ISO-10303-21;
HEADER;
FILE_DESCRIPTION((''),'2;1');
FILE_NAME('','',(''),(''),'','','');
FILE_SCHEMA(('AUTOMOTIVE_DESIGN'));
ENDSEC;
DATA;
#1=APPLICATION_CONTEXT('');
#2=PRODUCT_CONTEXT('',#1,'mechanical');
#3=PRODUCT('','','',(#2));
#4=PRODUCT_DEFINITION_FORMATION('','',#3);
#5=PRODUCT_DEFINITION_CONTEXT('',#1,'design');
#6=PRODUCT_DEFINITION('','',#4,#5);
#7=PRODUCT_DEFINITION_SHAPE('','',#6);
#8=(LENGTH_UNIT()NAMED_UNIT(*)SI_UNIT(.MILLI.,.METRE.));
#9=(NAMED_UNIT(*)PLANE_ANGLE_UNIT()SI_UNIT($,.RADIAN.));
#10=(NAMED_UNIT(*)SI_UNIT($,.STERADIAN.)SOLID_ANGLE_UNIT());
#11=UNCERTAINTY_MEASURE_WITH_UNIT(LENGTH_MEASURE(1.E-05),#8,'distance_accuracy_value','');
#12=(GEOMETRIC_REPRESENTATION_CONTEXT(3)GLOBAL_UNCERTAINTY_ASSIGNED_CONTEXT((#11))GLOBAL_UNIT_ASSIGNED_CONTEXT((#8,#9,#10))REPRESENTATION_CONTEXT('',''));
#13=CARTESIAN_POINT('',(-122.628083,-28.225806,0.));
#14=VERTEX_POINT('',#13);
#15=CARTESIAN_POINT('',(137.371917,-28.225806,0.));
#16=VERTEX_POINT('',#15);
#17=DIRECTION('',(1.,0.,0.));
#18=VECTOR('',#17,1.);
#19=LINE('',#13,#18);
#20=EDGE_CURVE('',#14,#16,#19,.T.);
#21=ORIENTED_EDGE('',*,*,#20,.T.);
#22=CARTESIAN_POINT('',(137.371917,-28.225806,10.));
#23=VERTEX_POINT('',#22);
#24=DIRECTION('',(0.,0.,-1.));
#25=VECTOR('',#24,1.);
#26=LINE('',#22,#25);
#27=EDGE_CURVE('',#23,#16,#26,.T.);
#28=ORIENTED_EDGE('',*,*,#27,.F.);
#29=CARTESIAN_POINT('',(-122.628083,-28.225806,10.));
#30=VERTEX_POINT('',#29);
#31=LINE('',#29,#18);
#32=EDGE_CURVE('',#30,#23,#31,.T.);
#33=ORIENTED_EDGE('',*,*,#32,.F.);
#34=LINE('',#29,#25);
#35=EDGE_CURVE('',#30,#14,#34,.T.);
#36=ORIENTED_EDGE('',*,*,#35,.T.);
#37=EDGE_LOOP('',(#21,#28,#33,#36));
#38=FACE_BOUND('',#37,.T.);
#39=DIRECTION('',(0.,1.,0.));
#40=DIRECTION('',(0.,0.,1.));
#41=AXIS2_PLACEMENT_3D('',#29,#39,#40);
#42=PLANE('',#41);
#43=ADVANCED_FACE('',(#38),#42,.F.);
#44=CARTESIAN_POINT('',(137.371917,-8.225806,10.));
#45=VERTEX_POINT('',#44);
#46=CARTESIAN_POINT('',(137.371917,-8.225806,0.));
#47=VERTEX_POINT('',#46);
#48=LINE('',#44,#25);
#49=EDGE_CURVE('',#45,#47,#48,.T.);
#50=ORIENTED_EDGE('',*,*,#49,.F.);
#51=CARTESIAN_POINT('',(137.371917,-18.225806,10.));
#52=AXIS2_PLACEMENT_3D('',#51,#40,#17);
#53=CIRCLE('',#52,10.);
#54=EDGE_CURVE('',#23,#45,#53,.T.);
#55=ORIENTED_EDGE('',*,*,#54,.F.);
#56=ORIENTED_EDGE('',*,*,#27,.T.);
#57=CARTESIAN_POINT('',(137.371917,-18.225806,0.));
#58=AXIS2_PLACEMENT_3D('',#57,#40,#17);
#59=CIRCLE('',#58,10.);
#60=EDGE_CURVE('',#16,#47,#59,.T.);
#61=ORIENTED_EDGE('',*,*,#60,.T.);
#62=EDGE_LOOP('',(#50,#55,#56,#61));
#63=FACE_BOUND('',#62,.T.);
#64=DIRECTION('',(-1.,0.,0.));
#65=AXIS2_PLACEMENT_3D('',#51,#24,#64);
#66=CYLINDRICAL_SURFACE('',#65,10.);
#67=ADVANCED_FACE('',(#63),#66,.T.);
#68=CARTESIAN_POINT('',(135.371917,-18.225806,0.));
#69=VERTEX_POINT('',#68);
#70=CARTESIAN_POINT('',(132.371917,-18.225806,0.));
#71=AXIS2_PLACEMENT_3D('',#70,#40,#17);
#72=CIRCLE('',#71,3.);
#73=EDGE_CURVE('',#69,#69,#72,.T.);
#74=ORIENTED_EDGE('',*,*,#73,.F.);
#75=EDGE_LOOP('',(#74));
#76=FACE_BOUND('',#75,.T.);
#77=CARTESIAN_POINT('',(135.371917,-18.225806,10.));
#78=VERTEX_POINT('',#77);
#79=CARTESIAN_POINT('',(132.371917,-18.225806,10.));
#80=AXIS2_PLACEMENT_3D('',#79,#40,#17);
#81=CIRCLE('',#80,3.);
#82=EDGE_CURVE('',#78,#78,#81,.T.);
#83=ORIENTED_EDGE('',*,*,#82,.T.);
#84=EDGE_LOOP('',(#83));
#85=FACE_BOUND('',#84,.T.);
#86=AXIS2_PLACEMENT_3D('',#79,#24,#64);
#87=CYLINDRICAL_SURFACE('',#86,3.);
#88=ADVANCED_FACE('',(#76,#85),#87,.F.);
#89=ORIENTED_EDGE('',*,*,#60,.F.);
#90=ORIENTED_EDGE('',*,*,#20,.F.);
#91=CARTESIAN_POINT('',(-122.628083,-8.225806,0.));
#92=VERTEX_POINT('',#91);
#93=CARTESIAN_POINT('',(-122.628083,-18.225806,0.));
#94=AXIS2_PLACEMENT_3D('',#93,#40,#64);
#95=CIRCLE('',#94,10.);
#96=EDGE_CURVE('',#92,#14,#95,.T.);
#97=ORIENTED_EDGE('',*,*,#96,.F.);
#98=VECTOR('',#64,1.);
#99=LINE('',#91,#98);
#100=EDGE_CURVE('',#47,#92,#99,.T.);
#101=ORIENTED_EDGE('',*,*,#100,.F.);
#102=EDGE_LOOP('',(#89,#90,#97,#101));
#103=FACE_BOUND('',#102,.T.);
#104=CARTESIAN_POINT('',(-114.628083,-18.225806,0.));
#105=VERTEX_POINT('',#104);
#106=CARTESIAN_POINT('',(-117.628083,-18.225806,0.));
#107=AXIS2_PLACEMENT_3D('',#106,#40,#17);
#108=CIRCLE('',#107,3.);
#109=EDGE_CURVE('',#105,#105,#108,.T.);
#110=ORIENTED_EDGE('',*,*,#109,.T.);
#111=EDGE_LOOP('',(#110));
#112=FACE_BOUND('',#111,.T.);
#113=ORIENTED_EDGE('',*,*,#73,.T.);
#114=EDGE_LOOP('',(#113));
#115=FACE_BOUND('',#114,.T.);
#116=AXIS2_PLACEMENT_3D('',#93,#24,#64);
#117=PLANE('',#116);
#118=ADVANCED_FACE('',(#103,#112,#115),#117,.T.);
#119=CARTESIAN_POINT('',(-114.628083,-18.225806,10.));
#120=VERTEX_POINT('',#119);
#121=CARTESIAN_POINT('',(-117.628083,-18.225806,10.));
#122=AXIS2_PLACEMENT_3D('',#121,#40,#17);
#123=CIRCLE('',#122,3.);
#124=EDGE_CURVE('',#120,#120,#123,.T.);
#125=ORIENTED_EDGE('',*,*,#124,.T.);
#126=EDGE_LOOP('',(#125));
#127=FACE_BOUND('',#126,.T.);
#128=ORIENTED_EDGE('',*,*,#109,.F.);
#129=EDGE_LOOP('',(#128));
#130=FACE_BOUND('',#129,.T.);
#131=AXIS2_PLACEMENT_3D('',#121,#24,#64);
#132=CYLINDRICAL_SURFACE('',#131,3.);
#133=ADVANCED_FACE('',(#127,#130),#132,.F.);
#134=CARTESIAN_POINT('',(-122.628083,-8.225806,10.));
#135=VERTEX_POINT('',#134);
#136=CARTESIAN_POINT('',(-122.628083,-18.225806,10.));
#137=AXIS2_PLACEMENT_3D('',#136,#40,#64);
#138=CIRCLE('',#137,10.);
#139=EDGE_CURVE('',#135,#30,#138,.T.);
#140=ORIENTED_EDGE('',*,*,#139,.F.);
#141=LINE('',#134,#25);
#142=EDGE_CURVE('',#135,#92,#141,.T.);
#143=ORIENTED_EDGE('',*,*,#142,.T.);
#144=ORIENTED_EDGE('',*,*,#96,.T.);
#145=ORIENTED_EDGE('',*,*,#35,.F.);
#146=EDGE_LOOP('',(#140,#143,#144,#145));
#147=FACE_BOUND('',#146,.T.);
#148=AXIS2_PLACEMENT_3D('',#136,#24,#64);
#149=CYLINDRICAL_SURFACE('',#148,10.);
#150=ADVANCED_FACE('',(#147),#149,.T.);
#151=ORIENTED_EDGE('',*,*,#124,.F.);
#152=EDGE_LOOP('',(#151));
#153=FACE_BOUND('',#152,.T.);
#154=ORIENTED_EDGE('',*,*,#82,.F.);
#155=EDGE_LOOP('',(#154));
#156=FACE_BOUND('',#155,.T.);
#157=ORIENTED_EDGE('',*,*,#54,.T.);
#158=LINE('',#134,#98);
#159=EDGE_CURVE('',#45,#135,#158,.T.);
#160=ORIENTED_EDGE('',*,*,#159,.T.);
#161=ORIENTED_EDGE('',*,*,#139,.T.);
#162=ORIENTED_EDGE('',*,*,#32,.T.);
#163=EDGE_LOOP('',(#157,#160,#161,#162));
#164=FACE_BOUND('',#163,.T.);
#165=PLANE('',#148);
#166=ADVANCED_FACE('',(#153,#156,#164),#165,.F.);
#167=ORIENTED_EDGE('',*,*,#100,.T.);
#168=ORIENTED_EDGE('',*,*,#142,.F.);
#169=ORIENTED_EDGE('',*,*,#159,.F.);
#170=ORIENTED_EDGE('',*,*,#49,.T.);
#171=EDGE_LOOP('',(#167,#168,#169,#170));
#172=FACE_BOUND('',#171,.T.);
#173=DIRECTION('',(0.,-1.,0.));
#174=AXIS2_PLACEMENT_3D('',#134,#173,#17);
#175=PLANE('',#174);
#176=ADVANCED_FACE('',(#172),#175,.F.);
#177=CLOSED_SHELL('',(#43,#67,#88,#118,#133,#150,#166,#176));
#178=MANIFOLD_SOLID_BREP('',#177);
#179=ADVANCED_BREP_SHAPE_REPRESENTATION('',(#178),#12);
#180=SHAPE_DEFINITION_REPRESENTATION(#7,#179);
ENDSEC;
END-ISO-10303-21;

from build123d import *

# Parameters (mm, degrees)
ESQUISSE1_R        = 3
BOSS_EXTRU_1_DEPTH = 10


with BuildPart() as part:
    # Esquisse1 → Boss.-Extru.1 (new body)
    with BuildSketch(Plane.XY):
        with BuildLine():
            Line((-122.628083491, -8.225806452), (137.371916509, -8.225806452))
            ThreePointArc((137.371916509, -8.225806452), (147.371916509, -18.225806452), (137.371916509, -28.225806452))
            Line((137.371916509, -28.225806452), (-122.628083491, -28.225806452))
            ThreePointArc((-122.628083491, -28.225806452), (-132.628083491, -18.225806452), (-122.628083491, -8.225806452))
        make_face()
        with Locations((-117.628083491, -18.225806452)):
            Circle(ESQUISSE1_R, mode=Mode.SUBTRACT)
        with Locations((132.371916509, -18.225806452)):
            Circle(ESQUISSE1_R, mode=Mode.SUBTRACT)
    extrude(amount=BOSS_EXTRU_1_DEPTH)


solid = part.part
